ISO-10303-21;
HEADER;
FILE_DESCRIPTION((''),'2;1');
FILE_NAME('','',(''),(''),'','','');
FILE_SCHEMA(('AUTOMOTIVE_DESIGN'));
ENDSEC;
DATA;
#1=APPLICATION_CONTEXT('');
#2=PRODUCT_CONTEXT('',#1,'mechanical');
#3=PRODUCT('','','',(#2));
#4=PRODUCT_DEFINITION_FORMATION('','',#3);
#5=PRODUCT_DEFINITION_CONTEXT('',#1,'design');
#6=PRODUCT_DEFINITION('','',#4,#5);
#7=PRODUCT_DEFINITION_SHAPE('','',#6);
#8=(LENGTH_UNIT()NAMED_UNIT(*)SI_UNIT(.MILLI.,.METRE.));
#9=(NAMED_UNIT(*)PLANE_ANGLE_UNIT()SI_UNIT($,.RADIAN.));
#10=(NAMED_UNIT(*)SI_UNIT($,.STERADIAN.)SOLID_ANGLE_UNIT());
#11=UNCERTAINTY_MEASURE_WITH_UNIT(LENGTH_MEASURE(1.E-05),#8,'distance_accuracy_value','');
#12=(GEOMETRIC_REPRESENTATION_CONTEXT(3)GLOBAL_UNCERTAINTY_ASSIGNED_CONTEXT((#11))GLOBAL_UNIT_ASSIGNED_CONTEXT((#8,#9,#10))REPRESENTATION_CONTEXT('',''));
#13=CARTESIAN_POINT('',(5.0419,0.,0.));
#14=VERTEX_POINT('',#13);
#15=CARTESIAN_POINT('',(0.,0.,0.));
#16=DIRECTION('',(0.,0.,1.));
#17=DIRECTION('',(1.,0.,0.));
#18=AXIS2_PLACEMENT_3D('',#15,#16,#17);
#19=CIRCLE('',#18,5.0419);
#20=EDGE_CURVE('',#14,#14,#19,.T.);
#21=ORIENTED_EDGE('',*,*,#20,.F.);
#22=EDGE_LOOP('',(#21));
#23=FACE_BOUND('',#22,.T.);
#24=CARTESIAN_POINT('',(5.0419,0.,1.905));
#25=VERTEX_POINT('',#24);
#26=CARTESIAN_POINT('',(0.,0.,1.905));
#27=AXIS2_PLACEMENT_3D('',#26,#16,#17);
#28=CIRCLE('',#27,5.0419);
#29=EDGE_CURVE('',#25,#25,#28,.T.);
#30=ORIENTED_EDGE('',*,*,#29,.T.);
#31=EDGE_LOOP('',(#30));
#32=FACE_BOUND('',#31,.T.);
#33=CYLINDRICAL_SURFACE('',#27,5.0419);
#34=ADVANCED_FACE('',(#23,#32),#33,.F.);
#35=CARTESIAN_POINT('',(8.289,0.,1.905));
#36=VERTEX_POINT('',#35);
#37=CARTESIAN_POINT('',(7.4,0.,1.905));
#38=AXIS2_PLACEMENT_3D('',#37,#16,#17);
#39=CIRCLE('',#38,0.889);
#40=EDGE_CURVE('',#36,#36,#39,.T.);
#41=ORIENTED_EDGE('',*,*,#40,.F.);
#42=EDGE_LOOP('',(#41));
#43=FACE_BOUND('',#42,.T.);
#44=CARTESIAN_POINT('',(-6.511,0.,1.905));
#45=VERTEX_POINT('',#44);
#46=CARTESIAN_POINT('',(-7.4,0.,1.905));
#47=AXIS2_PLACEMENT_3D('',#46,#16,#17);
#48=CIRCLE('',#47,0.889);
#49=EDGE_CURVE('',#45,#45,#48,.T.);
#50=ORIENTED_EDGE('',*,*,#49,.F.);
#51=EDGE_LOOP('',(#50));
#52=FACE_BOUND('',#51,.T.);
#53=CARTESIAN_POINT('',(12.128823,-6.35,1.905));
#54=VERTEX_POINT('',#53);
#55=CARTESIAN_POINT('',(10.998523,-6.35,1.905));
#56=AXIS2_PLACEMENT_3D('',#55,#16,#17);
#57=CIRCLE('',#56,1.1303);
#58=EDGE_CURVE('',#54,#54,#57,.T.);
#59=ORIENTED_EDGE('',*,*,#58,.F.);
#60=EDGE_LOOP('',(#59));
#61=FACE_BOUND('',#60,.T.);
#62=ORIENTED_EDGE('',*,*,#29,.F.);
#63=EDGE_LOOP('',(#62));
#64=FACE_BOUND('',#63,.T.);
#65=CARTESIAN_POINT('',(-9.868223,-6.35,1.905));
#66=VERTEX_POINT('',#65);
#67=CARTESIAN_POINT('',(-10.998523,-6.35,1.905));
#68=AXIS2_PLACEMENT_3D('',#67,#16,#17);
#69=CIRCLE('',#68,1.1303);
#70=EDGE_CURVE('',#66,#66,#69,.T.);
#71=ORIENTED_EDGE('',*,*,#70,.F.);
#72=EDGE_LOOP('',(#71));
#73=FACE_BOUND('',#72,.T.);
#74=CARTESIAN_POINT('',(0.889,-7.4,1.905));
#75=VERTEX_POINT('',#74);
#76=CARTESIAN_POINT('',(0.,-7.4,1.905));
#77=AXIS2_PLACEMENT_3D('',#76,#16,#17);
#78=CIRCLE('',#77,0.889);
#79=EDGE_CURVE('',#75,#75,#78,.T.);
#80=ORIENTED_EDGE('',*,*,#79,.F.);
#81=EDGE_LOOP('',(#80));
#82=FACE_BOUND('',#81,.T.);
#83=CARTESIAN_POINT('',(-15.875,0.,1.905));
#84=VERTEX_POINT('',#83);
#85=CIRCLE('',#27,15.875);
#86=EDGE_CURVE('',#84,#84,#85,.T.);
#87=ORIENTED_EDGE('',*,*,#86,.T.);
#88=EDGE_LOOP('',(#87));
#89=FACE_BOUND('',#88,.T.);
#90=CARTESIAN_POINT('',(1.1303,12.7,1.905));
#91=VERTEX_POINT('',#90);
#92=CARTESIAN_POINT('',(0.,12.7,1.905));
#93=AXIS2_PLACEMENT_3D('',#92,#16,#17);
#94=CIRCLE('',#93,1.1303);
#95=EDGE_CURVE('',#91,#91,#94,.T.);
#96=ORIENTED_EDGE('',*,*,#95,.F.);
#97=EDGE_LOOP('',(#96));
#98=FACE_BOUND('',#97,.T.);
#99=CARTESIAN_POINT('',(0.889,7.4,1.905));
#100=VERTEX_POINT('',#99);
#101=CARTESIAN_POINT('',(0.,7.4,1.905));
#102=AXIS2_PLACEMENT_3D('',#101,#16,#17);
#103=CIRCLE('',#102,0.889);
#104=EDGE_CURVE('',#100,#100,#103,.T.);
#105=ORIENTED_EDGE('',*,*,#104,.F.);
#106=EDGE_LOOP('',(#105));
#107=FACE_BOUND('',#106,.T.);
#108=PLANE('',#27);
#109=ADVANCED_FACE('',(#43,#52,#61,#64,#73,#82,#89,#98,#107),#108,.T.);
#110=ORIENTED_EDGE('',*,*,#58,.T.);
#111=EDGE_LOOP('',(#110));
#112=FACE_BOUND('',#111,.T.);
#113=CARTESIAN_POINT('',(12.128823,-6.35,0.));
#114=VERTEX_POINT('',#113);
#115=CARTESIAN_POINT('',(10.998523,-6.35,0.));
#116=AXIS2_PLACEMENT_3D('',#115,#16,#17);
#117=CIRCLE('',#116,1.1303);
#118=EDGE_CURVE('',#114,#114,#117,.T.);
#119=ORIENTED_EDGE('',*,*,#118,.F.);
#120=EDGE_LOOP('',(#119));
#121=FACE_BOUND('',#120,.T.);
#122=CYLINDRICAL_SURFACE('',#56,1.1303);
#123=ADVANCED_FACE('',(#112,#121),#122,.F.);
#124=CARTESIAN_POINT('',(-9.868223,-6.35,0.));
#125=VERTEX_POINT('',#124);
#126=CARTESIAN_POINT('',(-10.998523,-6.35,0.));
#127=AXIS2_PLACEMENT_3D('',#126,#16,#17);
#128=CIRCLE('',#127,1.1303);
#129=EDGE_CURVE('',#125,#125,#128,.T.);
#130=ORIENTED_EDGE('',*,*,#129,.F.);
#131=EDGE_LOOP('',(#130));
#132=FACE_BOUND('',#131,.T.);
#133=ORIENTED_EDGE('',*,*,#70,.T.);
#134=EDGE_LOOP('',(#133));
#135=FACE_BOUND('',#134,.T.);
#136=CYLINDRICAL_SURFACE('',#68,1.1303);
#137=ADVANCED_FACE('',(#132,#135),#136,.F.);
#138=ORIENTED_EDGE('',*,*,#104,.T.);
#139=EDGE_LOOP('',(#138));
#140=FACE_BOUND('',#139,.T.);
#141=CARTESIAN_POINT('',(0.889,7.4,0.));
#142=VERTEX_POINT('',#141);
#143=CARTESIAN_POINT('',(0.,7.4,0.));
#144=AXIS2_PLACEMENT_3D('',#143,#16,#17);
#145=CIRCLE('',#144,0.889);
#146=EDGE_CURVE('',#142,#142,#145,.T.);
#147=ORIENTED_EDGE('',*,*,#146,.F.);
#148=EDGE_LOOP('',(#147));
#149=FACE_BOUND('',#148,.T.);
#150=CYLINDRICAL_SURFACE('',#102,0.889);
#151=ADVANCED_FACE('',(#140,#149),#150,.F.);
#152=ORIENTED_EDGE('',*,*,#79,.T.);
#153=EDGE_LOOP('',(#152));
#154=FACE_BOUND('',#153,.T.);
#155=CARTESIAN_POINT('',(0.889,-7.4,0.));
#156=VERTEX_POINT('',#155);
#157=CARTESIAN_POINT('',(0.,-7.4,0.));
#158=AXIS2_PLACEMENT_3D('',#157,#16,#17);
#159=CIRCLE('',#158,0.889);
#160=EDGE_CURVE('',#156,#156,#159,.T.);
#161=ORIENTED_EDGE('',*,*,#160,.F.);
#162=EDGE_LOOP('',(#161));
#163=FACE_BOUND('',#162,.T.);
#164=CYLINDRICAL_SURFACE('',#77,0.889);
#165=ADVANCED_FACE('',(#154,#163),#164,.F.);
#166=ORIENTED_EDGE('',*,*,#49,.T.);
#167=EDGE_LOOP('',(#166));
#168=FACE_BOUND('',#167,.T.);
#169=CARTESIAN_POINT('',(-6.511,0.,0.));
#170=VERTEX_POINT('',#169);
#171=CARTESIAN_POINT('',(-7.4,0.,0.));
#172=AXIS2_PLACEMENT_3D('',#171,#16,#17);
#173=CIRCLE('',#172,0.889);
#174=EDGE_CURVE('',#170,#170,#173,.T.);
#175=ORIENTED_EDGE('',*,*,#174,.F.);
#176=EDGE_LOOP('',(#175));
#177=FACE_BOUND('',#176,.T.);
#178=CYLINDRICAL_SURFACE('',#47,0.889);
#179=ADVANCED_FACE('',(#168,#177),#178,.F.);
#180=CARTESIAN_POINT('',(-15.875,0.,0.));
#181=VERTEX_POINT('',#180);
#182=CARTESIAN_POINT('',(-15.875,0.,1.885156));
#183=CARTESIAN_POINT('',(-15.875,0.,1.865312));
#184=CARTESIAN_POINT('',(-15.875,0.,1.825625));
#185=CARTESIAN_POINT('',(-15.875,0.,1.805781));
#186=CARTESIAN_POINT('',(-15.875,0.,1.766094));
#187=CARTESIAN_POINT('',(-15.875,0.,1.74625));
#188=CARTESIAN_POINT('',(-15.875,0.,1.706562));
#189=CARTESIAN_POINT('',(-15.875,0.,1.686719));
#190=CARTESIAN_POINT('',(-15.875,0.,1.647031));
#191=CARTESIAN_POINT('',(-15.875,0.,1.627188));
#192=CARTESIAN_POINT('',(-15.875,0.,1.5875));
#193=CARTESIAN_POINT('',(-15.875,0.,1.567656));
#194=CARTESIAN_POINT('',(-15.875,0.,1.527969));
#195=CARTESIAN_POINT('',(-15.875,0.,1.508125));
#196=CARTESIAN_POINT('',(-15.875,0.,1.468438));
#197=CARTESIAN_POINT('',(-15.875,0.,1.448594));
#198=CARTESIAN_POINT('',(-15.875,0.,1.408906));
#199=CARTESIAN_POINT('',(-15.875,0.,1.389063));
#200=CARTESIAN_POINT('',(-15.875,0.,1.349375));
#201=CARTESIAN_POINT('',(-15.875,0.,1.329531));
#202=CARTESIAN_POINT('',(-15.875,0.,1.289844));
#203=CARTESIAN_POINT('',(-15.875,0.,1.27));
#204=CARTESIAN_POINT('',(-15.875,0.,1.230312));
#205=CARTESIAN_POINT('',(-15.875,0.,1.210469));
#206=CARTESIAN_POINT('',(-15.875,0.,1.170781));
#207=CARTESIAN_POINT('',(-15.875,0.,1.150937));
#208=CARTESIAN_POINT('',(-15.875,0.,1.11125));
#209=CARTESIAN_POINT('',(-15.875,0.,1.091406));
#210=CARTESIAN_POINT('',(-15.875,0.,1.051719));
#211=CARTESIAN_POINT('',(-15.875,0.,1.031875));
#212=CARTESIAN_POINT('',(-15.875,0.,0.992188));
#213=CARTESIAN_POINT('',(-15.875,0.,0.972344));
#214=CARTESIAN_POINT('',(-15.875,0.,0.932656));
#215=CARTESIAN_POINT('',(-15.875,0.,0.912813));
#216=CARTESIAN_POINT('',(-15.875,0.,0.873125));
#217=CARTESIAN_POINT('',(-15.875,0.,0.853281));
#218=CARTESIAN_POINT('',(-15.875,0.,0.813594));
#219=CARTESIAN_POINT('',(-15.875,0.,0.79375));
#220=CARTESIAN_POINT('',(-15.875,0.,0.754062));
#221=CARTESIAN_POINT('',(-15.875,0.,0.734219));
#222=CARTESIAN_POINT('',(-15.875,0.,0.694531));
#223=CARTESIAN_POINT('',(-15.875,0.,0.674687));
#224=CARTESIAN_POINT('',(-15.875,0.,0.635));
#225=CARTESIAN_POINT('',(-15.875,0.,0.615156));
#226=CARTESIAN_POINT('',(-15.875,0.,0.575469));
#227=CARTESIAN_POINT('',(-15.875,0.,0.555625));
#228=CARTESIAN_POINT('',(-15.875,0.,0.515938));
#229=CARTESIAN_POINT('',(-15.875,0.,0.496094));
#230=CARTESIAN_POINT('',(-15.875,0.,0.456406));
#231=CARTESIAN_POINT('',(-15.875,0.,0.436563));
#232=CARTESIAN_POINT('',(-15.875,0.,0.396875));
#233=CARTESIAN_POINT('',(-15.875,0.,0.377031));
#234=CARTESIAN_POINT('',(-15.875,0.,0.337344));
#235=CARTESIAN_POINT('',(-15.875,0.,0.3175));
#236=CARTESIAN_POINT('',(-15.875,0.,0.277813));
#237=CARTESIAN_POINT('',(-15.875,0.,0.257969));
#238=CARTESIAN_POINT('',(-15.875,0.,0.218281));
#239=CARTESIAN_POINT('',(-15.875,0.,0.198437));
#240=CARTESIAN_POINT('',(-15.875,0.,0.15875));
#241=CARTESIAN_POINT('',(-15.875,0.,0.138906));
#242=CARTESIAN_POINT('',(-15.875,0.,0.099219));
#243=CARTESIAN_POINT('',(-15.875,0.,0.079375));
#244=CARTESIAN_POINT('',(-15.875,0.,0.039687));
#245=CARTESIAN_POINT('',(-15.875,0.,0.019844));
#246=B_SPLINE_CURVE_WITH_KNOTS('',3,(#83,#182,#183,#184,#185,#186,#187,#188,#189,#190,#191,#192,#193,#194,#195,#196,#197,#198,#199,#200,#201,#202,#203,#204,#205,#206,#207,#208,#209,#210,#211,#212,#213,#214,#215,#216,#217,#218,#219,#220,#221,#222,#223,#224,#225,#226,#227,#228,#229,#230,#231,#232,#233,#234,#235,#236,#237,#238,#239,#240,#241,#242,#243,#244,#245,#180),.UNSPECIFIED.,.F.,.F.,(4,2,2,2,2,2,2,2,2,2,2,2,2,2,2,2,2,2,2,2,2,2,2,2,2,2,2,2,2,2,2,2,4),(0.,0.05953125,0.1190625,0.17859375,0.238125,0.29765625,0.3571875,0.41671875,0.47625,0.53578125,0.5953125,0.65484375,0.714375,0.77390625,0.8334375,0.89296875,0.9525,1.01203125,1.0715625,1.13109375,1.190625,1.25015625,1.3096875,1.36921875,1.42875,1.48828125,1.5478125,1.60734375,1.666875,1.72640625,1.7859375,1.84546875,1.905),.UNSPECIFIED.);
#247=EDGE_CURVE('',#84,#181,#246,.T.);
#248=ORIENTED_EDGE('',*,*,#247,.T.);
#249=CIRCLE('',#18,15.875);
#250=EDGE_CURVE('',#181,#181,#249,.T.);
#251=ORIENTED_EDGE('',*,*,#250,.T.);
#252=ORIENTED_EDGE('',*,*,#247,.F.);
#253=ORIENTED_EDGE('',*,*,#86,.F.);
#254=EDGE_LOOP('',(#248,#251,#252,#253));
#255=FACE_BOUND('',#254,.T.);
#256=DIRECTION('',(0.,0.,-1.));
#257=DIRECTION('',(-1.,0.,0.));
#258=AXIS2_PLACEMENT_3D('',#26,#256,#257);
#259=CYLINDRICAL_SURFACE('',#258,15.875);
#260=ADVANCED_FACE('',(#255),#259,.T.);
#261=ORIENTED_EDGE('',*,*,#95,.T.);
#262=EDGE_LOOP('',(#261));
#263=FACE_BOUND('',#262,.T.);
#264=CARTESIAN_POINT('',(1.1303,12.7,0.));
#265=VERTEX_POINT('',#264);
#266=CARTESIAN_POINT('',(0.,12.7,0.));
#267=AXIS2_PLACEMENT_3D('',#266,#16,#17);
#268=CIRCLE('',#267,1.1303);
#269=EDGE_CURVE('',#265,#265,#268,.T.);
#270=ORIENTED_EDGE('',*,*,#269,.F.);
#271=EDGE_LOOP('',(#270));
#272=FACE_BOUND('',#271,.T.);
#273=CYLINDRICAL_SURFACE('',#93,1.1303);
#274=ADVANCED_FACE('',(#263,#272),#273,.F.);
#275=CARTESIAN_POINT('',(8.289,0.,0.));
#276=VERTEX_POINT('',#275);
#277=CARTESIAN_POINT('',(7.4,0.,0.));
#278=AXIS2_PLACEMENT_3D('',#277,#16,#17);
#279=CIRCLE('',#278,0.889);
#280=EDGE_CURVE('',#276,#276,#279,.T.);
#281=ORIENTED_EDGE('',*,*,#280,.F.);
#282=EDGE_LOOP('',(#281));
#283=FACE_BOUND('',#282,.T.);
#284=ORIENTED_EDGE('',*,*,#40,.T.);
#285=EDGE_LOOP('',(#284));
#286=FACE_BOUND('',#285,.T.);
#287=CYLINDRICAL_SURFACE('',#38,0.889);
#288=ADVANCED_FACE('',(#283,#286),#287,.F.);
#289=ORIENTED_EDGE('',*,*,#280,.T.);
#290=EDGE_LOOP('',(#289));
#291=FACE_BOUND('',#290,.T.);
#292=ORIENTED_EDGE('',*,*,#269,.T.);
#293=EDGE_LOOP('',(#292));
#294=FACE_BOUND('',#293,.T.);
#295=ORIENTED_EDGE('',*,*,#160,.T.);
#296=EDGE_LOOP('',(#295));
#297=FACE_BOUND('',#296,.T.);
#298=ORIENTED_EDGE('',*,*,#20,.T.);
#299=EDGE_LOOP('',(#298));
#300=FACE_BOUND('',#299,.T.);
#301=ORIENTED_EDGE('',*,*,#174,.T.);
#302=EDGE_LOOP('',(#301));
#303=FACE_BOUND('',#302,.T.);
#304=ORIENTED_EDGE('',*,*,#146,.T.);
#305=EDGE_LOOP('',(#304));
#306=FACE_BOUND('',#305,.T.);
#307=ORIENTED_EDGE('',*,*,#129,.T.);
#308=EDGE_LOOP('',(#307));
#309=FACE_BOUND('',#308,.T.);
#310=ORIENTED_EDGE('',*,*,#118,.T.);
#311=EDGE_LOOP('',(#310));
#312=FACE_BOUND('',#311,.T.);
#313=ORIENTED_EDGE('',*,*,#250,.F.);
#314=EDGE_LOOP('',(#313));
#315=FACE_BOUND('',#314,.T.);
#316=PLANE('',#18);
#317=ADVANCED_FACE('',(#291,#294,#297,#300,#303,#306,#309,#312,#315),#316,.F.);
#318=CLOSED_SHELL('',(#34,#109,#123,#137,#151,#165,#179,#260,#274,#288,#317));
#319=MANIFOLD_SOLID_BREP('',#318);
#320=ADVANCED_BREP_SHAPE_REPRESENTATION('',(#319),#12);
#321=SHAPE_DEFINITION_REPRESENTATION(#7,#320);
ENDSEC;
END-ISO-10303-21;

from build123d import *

# Parameters (mm, degrees)
SKETCH1_R                    = 15.875
SKETCH1_R_2                  = 3.96875
BOSS_EXTRUDE1_DEPTH          = 1.905
X_0_397_DIAMETER_HOLE1_D     = 10.0838
X_0_397_DIAMETER_HOLE1_DEPTH = 12.7
X_0_397_DIAMETER_HOLE1_TIP   = 3.029479155
CIRPATTERN1_COUNT            = 3
CIRPATTERN2_COUNT            = 4


with BuildPart() as part:
    # Sketch1 → Boss-Extrude1 (new body)
    with BuildSketch(Plane.XY):
        with Locations(Location((0, 0, 0), (0, 0, 180))):
            Circle(SKETCH1_R)
        with Locations(Location((0, 0, 0), (0, 0, 180))):
            Circle(SKETCH1_R_2, mode=Mode.SUBTRACT)
    extrude(amount=BOSS_EXTRUDE1_DEPTH)

    # X (0.397) Diameter Hole1
    with Locations(Plane.XY.offset(1.905)):
        with Locations((0, 0)):
            Hole(X_0_397_DIAMETER_HOLE1_D / 2, depth=X_0_397_DIAMETER_HOLE1_DEPTH)
            with Locations((0, 0, -(X_0_397_DIAMETER_HOLE1_DEPTH + X_0_397_DIAMETER_HOLE1_TIP / 2))):  # 118° drill point
                Cone(0, X_0_397_DIAMETER_HOLE1_D / 2, X_0_397_DIAMETER_HOLE1_TIP, mode=Mode.SUBTRACT)

    # Sketch4 → #4-40 Tapped Hole1 (revolve, cut)
    with BuildSketch(Plane(origin=(0, 12.7, 1.905), x_dir=(0, -1, 0), z_dir=(1, 0, 0))):
        Polygon((0, 0), (0, 9.543752758), (1.1303, 8.8646), (1.1303, 0), align=None)
    f_4_40_tapped_hole1 = revolve(axis=Axis((0, 12.7, 8.255), (0, 0, -1)), mode=Mode.SUBTRACT)

    # CirPattern1: #4-40 Tapped Hole1 ×3 about axis
    cirpattern1_axis = Axis((0, 0, 0), (0, 0, 1))
    for i in range(1, CIRPATTERN1_COUNT):
        add(f_4_40_tapped_hole1.rotate(cirpattern1_axis, i * 360 / CIRPATTERN1_COUNT), mode=Mode.SUBTRACT)

    # Sketch6 → #2-56 Tapped Hole1 (revolve, cut)
    with BuildSketch(Plane(origin=(0, 7.4, 1.905), x_dir=(0, -1, 0), z_dir=(1, 0, 0))):
        Polygon((0, 0), (0, 7.18896509), (0.889, 6.6548), (0.889, 0), align=None)
    f_2_56_tapped_hole1 = revolve(axis=Axis((0, 7.4, 8.255), (0, 0, -1)), mode=Mode.SUBTRACT)

    # CirPattern2: #2-56 Tapped Hole1 ×4 about axis
    cirpattern2_axis = Axis((0, 0, 0), (0, 0, 1))
    for i in range(1, CIRPATTERN2_COUNT):
        add(f_2_56_tapped_hole1.rotate(cirpattern2_axis, i * 360 / CIRPATTERN2_COUNT), mode=Mode.SUBTRACT)


solid = part.part
